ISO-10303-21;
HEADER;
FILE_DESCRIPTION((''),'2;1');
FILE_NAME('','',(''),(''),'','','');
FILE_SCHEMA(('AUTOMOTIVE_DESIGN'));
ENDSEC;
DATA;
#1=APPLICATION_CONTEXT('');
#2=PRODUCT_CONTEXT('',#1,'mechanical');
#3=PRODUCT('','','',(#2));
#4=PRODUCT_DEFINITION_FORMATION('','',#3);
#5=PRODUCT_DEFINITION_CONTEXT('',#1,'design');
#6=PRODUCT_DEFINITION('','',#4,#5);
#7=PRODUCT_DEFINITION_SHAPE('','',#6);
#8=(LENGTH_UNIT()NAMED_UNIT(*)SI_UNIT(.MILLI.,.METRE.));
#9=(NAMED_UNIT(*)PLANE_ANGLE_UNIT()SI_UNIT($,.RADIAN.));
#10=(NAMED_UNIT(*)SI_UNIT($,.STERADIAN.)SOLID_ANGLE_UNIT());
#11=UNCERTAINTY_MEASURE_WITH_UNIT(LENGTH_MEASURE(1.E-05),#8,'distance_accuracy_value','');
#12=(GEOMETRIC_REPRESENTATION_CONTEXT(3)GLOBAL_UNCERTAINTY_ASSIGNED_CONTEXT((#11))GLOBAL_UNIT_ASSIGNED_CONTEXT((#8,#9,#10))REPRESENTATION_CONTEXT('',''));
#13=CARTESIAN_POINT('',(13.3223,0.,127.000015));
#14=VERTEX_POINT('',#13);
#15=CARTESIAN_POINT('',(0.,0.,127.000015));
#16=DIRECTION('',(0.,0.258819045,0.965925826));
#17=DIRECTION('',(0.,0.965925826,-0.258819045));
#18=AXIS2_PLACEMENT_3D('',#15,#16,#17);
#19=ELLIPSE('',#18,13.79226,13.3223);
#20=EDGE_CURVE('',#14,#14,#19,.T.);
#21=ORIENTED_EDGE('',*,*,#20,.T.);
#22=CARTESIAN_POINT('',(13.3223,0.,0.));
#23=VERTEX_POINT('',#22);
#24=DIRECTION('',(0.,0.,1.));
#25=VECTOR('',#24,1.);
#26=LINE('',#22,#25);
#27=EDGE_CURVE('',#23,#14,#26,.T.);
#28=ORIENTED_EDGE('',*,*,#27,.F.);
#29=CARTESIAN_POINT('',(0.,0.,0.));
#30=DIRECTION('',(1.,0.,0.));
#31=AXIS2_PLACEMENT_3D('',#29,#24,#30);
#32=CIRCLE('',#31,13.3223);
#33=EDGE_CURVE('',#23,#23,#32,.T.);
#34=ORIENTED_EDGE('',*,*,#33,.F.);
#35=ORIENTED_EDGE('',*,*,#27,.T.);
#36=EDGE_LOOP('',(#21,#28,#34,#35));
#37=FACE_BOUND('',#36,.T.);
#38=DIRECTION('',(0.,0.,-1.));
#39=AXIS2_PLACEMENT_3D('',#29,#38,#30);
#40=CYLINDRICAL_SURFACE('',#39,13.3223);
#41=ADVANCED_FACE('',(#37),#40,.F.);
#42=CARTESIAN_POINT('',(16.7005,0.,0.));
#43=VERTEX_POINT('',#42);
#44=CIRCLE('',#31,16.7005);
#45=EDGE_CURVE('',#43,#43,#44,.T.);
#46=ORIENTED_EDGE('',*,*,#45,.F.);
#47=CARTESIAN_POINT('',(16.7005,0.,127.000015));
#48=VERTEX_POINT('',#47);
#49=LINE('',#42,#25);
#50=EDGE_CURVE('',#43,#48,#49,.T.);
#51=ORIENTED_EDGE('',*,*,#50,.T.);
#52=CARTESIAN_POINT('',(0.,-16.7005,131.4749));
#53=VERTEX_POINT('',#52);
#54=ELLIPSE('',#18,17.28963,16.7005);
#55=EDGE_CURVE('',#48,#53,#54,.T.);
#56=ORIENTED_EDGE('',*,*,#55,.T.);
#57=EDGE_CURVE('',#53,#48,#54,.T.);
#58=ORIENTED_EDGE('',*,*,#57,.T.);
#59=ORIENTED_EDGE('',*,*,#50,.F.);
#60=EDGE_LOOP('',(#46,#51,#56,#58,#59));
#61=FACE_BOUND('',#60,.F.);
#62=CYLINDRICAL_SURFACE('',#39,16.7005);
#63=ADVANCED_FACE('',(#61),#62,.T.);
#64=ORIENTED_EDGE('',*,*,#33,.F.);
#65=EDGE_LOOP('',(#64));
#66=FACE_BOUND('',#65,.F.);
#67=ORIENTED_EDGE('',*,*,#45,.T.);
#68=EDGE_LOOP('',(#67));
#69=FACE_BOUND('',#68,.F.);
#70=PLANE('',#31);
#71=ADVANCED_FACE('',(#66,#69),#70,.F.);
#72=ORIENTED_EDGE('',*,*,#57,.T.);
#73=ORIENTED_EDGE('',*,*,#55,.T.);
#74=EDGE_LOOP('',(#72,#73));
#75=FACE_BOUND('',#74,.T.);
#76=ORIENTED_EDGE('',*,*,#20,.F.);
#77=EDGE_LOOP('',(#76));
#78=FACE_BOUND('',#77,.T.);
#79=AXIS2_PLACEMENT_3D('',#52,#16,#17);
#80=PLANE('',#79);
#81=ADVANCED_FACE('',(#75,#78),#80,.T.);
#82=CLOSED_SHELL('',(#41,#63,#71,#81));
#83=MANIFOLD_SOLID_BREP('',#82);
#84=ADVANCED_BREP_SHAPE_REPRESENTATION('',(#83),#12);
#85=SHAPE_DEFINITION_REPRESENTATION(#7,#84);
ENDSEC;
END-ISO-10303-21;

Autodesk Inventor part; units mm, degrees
ref_plane "Start plane" through (0, 0, 0) normal (0, 0, 1) x (1, 0, 0)
ref_plane "End plane" through (0, 0, 131.4749) normal (0, 0, 1) x (1, 0, 0)
sketch "Sketch" plane through (0, 0, 0) normal (0, 0, 1) x (1, 0, 0)
  circle A0 centre (0, 0) radius 13.3223
  circle A1 centre (0, 0) radius 16.7005
  dimension "d0" = 33.401
  dimension "d1" = 3.3782
extrude "Body" add sketch "Sketch" along normal up to surface (131.4749 mm away) from surface at 0
sketch "Sketch3" plane through (0, 0, 0) normal (0, 0, 1) x (1, 0, 0)
  line L0 (0, 0) -> (10, 0)
ref_plane "Work Plane3" through (0, 0, 0) normal (0, -1, 0) x (1, 0, 0)
sketch "Sketch4" plane through (0, 0, 0) normal (0, -1, 0) x (1, 0, 0)
  line L0 (-2, 0) -> (12, 0)
  line L1 (-2, 131.4749) -> (12, 131.4749)
  dimension "d7" = 131.4749
ref_plane "Work Plane4" through (0, -16.7005, 131.4749) normal (0, 0.2588, 0.9659) x (1, 0, 0)
split "Split1" plane through (0, -16.7005, 131.4749) removes the side toward (0, 0.2588, 0.9659)
equation "\"d0\" = G_H"
equation "\"d1\" = G_T"
equation "\"d2\" = G_L"
equation "\"G_H\" = 33.401"
equation "\"G_T\" = 3.3782"
equation "\"G_L\" = d7"
equation "\"G_OFFSET_START\" = 0"
equation "\"G_OFFSET_END\" = 4.47489"
equation "\"d5\" = G_OFFSET_END + B_L"
equation "\"B_L\" = 127"
properties part number "ANSI - 1 x 0.133 - 5.176" material "Steel"
